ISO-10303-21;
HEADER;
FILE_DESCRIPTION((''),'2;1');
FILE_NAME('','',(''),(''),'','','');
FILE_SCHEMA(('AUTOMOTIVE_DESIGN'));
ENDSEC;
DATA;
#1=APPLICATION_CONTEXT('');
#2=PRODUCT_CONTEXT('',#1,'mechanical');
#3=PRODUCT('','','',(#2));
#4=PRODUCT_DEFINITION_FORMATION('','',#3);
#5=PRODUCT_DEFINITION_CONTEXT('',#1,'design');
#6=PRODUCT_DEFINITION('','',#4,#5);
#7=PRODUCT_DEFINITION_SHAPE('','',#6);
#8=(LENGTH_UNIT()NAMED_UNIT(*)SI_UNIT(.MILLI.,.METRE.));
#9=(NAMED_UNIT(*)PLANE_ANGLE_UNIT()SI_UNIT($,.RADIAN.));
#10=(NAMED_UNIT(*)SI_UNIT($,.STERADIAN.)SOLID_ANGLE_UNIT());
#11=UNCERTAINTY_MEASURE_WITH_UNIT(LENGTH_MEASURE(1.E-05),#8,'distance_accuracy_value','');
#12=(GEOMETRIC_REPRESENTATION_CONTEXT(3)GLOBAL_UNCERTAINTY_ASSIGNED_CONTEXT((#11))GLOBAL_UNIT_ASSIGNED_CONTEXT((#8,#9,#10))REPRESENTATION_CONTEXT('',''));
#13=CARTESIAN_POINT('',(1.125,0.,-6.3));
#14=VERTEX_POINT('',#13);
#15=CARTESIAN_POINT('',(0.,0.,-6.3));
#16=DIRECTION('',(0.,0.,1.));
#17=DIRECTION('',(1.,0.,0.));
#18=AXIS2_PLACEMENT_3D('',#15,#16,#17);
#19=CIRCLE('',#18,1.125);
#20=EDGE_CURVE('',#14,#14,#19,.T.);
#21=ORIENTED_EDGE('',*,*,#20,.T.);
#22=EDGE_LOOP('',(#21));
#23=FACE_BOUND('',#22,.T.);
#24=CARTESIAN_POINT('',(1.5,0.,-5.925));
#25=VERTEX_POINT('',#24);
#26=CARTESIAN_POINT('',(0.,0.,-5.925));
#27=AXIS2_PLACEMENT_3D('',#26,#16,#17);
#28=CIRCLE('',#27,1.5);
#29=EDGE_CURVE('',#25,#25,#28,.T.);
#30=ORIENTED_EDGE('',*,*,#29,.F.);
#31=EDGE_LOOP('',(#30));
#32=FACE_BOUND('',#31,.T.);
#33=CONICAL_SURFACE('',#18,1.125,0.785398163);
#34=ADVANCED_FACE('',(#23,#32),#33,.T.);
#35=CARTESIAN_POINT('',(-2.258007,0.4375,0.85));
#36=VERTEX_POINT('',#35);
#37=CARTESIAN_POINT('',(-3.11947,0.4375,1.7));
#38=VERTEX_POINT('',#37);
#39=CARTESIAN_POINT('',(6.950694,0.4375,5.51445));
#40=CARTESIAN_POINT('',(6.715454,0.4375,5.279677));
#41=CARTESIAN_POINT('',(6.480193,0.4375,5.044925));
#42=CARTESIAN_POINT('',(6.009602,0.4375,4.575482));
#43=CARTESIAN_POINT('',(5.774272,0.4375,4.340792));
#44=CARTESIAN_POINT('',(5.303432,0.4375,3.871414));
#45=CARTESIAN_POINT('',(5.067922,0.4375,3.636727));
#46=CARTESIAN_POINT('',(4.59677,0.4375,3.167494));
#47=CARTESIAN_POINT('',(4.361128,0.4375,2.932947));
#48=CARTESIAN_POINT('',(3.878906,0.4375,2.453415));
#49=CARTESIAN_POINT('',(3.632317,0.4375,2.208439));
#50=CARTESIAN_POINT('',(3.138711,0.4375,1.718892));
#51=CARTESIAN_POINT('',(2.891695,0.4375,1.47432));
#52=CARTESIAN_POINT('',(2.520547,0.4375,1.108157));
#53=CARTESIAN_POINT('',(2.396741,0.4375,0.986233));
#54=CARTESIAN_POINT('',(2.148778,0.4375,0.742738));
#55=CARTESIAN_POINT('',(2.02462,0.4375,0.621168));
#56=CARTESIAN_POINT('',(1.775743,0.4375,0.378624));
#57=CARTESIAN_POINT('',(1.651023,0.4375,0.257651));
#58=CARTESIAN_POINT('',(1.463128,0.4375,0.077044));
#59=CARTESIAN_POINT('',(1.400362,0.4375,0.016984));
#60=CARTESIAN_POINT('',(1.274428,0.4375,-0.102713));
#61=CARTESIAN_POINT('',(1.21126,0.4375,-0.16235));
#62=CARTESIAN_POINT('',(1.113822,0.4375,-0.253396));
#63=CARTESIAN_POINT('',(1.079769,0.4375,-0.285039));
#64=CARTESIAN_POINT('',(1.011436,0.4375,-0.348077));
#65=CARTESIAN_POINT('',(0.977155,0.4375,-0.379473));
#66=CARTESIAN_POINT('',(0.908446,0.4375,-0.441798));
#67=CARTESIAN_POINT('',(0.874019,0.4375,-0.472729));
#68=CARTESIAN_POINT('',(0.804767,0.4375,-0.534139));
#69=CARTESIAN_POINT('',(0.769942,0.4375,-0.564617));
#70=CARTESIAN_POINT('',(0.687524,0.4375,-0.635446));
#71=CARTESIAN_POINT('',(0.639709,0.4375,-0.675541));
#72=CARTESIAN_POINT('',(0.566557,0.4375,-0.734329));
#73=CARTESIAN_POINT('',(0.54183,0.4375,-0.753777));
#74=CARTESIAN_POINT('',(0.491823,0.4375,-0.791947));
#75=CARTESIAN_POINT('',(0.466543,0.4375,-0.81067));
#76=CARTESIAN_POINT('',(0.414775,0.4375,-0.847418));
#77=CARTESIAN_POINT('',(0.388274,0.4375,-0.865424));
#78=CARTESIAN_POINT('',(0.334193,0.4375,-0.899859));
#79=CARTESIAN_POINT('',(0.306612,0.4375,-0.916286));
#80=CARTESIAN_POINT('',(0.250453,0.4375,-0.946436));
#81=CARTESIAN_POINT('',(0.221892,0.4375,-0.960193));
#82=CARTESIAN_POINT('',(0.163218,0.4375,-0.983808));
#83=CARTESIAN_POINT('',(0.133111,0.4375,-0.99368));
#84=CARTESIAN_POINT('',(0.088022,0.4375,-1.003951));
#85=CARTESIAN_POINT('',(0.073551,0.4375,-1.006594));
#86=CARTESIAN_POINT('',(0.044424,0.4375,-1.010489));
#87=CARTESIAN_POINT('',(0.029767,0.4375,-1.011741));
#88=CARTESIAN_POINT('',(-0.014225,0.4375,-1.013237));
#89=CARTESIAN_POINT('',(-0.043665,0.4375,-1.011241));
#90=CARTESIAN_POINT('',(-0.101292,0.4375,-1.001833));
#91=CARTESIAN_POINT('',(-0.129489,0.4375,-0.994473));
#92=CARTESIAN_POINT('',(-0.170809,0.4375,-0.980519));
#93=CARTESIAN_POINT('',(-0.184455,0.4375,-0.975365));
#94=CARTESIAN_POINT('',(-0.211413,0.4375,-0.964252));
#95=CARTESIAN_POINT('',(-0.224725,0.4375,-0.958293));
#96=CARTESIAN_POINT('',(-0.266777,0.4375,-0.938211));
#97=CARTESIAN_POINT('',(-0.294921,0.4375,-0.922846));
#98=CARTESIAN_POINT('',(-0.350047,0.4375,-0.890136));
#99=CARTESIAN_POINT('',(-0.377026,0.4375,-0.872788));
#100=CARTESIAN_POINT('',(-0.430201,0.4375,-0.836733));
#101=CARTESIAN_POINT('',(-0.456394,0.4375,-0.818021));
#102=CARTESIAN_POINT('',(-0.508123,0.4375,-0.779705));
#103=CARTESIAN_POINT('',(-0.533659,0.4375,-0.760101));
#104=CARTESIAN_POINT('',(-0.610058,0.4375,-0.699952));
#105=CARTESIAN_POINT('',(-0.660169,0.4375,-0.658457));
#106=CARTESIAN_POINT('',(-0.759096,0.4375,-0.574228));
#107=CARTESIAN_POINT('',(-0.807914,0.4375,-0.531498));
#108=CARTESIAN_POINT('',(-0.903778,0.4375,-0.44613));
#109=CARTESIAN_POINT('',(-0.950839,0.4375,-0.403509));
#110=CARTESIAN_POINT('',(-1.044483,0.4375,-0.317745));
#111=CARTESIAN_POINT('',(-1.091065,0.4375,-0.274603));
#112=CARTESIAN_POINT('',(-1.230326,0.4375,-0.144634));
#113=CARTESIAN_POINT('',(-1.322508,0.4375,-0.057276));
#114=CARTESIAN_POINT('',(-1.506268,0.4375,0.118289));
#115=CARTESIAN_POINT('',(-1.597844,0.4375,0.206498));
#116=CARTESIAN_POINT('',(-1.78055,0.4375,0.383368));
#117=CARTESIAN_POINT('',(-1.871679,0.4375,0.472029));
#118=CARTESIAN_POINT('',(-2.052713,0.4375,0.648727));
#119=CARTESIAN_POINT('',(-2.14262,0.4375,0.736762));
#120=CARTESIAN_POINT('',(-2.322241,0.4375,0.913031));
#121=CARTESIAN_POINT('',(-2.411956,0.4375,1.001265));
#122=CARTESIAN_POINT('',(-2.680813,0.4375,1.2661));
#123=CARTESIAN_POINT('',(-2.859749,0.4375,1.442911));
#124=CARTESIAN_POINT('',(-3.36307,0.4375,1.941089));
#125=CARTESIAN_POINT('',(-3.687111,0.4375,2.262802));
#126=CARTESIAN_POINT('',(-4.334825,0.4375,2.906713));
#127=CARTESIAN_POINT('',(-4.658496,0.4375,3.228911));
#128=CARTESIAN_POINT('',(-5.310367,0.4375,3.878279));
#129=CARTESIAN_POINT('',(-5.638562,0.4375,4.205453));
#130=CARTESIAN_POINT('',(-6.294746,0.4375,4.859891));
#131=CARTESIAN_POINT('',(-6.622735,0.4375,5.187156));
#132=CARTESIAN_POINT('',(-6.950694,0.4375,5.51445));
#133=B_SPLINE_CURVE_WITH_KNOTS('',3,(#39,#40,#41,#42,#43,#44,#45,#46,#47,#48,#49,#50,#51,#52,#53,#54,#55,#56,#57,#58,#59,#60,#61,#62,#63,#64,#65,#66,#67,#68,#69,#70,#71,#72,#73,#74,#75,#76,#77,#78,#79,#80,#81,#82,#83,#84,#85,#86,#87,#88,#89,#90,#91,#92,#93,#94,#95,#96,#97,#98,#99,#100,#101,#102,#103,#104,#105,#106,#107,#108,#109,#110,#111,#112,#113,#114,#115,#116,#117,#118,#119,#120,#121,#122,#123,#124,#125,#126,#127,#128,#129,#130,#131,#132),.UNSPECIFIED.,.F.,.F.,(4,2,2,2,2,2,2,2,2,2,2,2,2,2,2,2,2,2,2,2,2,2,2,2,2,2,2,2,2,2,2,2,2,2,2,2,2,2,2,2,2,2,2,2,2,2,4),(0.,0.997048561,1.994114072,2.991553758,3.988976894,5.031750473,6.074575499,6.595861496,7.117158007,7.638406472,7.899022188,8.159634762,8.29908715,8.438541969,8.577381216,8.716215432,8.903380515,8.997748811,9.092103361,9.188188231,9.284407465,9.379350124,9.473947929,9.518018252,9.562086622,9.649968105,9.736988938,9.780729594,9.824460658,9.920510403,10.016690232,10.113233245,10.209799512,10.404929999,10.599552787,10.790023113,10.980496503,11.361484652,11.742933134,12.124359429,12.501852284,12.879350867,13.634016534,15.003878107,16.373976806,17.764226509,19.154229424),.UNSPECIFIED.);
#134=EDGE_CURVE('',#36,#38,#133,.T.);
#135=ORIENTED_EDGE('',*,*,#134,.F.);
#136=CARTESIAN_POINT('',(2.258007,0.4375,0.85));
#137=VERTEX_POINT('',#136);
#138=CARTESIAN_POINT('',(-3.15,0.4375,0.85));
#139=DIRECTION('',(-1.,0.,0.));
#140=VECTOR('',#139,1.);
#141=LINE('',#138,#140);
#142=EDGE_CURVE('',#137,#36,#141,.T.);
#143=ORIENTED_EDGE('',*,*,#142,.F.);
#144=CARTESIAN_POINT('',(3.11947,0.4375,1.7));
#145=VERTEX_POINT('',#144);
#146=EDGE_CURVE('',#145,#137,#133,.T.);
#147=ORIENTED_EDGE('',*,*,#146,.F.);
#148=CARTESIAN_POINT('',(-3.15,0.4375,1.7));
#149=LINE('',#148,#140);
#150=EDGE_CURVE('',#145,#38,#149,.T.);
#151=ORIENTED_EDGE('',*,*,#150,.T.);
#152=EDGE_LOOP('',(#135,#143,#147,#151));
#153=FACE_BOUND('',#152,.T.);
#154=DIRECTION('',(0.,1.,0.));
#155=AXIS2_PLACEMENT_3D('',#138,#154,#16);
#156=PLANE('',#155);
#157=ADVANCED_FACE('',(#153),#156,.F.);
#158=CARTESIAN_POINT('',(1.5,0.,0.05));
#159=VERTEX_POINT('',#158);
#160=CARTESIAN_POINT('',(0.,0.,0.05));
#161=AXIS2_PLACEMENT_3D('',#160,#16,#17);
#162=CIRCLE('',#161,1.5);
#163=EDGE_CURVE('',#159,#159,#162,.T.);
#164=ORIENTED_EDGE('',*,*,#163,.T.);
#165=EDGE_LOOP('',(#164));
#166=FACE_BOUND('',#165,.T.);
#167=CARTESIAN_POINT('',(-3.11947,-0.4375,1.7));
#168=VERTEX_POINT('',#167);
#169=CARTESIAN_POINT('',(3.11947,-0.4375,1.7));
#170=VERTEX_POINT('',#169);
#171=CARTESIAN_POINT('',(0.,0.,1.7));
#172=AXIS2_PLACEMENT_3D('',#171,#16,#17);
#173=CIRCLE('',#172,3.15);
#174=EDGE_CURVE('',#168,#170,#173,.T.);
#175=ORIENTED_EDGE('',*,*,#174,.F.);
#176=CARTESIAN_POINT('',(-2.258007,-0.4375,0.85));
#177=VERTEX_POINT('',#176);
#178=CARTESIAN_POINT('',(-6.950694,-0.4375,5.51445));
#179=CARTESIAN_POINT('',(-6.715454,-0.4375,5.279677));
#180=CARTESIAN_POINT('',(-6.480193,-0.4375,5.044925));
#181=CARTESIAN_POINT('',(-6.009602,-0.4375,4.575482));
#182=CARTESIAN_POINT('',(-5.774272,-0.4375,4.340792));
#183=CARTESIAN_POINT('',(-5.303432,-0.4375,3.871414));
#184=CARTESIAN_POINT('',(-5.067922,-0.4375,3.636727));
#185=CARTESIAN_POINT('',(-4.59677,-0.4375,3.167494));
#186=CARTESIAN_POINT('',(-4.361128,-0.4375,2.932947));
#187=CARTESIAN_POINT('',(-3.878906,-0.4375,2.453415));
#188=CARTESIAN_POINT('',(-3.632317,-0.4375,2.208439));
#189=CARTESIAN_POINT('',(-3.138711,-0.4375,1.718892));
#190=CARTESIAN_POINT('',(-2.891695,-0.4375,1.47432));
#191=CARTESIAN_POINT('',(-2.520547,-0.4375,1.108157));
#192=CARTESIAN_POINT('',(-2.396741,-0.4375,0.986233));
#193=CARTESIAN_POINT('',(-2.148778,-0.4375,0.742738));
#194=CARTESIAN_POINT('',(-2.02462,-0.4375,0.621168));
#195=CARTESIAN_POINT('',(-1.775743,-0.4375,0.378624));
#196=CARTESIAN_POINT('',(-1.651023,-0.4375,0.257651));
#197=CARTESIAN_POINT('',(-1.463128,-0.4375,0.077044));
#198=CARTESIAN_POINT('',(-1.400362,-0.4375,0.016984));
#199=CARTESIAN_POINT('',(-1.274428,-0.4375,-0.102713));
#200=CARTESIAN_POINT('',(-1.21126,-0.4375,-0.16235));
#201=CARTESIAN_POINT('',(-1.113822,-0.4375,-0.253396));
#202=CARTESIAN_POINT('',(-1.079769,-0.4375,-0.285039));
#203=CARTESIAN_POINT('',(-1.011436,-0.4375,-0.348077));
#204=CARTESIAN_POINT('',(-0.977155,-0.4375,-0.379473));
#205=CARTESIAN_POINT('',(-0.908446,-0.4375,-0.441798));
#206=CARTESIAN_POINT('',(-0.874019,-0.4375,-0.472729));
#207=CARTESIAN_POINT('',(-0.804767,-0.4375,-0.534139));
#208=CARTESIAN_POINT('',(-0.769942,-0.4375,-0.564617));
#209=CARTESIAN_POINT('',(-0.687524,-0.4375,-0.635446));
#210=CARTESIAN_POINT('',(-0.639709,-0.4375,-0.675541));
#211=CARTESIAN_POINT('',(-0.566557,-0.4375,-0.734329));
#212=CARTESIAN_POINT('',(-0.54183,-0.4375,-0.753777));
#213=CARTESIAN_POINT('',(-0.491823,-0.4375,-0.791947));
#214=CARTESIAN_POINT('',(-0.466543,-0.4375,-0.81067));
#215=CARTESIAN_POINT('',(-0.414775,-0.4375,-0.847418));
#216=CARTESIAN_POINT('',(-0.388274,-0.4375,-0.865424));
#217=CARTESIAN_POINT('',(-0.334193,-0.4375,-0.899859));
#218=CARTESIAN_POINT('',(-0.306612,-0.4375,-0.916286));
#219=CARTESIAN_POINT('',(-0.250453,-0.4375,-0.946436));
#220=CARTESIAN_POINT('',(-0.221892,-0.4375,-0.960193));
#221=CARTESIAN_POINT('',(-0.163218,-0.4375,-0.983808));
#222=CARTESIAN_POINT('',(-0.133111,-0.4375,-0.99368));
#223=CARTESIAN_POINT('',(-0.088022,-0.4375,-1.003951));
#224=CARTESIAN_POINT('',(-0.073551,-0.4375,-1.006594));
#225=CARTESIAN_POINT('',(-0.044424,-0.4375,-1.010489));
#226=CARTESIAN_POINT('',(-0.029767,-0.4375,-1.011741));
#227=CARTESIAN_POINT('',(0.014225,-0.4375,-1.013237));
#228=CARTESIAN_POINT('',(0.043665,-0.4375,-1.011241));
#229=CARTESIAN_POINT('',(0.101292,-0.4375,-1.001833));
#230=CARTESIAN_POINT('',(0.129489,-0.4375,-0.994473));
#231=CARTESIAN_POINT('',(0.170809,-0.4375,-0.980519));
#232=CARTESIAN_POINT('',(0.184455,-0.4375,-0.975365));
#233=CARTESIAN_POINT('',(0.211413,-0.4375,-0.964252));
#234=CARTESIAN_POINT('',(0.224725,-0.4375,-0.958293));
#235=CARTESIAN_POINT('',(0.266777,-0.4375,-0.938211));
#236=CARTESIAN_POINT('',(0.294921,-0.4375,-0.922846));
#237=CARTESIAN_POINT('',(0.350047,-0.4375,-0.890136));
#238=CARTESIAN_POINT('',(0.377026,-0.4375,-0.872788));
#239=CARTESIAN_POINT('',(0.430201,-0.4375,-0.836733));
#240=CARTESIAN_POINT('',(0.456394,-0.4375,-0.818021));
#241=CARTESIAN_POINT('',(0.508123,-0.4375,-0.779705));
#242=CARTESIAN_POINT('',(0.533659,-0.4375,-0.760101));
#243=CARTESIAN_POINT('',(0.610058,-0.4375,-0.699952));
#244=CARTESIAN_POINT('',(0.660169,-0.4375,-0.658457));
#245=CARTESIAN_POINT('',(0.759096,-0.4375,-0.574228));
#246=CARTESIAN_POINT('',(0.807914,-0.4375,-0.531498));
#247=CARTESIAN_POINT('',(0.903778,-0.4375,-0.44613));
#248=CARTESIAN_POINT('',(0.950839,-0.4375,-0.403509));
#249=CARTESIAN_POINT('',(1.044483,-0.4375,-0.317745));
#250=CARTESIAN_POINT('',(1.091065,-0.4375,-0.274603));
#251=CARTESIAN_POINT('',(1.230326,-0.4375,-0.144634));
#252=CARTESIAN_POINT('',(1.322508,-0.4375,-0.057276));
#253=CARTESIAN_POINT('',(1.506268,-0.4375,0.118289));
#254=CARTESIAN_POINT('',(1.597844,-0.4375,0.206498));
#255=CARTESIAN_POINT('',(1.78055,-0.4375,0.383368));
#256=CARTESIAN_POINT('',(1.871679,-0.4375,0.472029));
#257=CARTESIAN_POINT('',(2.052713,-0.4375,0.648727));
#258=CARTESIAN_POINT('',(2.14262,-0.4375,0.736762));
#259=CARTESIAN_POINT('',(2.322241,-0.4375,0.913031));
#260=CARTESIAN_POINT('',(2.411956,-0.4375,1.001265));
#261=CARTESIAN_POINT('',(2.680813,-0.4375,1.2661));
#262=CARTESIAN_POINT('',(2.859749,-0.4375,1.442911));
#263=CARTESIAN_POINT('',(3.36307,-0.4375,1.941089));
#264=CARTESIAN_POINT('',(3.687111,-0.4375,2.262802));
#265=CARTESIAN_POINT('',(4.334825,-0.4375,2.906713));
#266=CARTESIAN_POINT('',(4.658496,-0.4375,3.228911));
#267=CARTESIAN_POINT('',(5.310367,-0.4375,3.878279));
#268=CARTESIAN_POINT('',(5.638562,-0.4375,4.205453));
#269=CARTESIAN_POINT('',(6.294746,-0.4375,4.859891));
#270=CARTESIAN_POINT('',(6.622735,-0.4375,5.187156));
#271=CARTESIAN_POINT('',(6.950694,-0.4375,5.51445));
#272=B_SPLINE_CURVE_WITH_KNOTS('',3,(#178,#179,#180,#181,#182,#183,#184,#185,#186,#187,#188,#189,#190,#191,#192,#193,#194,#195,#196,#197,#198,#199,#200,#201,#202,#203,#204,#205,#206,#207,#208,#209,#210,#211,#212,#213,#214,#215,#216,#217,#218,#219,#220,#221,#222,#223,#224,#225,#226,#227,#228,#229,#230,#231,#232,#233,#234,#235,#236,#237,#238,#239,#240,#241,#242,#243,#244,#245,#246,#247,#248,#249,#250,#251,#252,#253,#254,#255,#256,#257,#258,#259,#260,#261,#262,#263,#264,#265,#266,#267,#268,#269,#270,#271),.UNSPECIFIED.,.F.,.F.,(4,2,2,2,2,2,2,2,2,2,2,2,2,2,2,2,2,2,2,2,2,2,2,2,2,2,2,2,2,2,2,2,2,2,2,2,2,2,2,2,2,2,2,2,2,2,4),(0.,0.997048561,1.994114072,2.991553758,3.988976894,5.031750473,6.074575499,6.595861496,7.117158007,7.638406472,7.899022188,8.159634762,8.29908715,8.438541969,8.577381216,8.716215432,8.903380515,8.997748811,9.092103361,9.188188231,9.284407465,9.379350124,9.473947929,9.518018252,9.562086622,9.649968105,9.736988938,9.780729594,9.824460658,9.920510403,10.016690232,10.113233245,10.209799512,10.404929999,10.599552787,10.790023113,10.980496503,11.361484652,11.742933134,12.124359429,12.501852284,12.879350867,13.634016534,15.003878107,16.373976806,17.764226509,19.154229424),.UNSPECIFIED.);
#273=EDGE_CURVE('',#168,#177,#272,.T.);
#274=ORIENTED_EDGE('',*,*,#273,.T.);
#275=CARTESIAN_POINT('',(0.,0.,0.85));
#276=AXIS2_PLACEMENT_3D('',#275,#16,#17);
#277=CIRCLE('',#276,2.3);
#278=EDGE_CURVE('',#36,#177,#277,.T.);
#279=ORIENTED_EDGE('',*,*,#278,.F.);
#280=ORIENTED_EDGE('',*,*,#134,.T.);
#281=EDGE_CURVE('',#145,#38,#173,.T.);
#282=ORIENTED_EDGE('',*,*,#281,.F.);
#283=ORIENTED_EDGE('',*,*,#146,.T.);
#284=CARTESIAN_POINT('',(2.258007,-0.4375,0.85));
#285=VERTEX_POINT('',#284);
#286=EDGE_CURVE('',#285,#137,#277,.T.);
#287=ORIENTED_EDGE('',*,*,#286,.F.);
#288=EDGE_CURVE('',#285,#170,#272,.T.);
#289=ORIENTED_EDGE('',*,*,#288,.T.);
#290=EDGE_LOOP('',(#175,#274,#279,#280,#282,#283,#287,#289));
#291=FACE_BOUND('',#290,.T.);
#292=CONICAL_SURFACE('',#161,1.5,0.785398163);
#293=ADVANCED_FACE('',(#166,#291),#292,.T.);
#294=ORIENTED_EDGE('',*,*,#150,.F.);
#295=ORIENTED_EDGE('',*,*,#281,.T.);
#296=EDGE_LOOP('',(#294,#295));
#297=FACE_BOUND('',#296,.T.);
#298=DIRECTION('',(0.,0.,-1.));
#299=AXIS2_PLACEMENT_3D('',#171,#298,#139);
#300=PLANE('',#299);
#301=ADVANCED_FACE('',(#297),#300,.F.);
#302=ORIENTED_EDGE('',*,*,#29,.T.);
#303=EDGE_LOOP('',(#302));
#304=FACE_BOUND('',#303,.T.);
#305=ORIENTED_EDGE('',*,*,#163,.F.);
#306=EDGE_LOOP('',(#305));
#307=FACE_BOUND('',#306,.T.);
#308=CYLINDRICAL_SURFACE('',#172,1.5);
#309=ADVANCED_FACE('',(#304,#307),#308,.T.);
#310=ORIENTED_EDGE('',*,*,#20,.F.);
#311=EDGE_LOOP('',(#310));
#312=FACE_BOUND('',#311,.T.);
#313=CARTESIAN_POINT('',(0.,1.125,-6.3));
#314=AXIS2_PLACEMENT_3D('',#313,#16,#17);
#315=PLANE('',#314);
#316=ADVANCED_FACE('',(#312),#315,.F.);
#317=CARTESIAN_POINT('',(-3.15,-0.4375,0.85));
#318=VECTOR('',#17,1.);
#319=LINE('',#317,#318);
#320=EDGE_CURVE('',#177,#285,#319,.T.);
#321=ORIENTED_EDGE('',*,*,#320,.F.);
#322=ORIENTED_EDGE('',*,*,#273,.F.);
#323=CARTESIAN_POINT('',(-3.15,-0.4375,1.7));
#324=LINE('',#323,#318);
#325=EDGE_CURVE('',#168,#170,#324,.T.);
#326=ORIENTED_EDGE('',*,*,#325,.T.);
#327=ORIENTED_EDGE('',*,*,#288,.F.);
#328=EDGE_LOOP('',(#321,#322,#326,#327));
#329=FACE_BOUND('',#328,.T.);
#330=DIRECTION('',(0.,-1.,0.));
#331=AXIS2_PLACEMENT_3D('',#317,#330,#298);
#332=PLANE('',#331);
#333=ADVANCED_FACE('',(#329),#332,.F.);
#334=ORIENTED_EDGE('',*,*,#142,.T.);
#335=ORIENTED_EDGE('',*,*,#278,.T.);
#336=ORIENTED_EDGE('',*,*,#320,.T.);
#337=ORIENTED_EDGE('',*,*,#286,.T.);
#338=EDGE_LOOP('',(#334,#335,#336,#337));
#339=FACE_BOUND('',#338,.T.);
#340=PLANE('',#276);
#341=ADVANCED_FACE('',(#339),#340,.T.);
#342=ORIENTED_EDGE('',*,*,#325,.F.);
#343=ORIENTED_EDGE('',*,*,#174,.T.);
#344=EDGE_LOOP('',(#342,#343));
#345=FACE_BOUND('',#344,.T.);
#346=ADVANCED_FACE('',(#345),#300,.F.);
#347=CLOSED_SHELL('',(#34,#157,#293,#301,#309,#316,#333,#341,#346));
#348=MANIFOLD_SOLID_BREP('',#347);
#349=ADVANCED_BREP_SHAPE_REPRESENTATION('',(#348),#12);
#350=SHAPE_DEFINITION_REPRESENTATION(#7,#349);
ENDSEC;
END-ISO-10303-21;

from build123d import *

# Parameters (mm, degrees)
SKETCH9_W          = 6.3
SKETCH9_H          = 0.875
CUT_EXTRUDE1_DEPTH = 0.85


with BuildPart() as part:
    # Sketch3 → Revolve1 (revolve)
    with BuildSketch(Plane(origin=(0, 0, 0), x_dir=(0, 0, -1), z_dir=(1, 0, 0))):
        Polygon((-1.7, 3.15), (-0.05, 1.5), (5.925, 1.5), (6.3, 1.125), (6.3, 0), (-1.7, 0), align=None)
    revolve(axis=Axis((0, 0, 1.7), (0, 0, -1)))

    # Sketch9 → Cut-Extrude1 (cut)
    with BuildSketch(Plane.XY.offset(1.7)):
        Rectangle(SKETCH9_W, SKETCH9_H)
    extrude(amount=-CUT_EXTRUDE1_DEPTH, mode=Mode.SUBTRACT)


solid = part.part
